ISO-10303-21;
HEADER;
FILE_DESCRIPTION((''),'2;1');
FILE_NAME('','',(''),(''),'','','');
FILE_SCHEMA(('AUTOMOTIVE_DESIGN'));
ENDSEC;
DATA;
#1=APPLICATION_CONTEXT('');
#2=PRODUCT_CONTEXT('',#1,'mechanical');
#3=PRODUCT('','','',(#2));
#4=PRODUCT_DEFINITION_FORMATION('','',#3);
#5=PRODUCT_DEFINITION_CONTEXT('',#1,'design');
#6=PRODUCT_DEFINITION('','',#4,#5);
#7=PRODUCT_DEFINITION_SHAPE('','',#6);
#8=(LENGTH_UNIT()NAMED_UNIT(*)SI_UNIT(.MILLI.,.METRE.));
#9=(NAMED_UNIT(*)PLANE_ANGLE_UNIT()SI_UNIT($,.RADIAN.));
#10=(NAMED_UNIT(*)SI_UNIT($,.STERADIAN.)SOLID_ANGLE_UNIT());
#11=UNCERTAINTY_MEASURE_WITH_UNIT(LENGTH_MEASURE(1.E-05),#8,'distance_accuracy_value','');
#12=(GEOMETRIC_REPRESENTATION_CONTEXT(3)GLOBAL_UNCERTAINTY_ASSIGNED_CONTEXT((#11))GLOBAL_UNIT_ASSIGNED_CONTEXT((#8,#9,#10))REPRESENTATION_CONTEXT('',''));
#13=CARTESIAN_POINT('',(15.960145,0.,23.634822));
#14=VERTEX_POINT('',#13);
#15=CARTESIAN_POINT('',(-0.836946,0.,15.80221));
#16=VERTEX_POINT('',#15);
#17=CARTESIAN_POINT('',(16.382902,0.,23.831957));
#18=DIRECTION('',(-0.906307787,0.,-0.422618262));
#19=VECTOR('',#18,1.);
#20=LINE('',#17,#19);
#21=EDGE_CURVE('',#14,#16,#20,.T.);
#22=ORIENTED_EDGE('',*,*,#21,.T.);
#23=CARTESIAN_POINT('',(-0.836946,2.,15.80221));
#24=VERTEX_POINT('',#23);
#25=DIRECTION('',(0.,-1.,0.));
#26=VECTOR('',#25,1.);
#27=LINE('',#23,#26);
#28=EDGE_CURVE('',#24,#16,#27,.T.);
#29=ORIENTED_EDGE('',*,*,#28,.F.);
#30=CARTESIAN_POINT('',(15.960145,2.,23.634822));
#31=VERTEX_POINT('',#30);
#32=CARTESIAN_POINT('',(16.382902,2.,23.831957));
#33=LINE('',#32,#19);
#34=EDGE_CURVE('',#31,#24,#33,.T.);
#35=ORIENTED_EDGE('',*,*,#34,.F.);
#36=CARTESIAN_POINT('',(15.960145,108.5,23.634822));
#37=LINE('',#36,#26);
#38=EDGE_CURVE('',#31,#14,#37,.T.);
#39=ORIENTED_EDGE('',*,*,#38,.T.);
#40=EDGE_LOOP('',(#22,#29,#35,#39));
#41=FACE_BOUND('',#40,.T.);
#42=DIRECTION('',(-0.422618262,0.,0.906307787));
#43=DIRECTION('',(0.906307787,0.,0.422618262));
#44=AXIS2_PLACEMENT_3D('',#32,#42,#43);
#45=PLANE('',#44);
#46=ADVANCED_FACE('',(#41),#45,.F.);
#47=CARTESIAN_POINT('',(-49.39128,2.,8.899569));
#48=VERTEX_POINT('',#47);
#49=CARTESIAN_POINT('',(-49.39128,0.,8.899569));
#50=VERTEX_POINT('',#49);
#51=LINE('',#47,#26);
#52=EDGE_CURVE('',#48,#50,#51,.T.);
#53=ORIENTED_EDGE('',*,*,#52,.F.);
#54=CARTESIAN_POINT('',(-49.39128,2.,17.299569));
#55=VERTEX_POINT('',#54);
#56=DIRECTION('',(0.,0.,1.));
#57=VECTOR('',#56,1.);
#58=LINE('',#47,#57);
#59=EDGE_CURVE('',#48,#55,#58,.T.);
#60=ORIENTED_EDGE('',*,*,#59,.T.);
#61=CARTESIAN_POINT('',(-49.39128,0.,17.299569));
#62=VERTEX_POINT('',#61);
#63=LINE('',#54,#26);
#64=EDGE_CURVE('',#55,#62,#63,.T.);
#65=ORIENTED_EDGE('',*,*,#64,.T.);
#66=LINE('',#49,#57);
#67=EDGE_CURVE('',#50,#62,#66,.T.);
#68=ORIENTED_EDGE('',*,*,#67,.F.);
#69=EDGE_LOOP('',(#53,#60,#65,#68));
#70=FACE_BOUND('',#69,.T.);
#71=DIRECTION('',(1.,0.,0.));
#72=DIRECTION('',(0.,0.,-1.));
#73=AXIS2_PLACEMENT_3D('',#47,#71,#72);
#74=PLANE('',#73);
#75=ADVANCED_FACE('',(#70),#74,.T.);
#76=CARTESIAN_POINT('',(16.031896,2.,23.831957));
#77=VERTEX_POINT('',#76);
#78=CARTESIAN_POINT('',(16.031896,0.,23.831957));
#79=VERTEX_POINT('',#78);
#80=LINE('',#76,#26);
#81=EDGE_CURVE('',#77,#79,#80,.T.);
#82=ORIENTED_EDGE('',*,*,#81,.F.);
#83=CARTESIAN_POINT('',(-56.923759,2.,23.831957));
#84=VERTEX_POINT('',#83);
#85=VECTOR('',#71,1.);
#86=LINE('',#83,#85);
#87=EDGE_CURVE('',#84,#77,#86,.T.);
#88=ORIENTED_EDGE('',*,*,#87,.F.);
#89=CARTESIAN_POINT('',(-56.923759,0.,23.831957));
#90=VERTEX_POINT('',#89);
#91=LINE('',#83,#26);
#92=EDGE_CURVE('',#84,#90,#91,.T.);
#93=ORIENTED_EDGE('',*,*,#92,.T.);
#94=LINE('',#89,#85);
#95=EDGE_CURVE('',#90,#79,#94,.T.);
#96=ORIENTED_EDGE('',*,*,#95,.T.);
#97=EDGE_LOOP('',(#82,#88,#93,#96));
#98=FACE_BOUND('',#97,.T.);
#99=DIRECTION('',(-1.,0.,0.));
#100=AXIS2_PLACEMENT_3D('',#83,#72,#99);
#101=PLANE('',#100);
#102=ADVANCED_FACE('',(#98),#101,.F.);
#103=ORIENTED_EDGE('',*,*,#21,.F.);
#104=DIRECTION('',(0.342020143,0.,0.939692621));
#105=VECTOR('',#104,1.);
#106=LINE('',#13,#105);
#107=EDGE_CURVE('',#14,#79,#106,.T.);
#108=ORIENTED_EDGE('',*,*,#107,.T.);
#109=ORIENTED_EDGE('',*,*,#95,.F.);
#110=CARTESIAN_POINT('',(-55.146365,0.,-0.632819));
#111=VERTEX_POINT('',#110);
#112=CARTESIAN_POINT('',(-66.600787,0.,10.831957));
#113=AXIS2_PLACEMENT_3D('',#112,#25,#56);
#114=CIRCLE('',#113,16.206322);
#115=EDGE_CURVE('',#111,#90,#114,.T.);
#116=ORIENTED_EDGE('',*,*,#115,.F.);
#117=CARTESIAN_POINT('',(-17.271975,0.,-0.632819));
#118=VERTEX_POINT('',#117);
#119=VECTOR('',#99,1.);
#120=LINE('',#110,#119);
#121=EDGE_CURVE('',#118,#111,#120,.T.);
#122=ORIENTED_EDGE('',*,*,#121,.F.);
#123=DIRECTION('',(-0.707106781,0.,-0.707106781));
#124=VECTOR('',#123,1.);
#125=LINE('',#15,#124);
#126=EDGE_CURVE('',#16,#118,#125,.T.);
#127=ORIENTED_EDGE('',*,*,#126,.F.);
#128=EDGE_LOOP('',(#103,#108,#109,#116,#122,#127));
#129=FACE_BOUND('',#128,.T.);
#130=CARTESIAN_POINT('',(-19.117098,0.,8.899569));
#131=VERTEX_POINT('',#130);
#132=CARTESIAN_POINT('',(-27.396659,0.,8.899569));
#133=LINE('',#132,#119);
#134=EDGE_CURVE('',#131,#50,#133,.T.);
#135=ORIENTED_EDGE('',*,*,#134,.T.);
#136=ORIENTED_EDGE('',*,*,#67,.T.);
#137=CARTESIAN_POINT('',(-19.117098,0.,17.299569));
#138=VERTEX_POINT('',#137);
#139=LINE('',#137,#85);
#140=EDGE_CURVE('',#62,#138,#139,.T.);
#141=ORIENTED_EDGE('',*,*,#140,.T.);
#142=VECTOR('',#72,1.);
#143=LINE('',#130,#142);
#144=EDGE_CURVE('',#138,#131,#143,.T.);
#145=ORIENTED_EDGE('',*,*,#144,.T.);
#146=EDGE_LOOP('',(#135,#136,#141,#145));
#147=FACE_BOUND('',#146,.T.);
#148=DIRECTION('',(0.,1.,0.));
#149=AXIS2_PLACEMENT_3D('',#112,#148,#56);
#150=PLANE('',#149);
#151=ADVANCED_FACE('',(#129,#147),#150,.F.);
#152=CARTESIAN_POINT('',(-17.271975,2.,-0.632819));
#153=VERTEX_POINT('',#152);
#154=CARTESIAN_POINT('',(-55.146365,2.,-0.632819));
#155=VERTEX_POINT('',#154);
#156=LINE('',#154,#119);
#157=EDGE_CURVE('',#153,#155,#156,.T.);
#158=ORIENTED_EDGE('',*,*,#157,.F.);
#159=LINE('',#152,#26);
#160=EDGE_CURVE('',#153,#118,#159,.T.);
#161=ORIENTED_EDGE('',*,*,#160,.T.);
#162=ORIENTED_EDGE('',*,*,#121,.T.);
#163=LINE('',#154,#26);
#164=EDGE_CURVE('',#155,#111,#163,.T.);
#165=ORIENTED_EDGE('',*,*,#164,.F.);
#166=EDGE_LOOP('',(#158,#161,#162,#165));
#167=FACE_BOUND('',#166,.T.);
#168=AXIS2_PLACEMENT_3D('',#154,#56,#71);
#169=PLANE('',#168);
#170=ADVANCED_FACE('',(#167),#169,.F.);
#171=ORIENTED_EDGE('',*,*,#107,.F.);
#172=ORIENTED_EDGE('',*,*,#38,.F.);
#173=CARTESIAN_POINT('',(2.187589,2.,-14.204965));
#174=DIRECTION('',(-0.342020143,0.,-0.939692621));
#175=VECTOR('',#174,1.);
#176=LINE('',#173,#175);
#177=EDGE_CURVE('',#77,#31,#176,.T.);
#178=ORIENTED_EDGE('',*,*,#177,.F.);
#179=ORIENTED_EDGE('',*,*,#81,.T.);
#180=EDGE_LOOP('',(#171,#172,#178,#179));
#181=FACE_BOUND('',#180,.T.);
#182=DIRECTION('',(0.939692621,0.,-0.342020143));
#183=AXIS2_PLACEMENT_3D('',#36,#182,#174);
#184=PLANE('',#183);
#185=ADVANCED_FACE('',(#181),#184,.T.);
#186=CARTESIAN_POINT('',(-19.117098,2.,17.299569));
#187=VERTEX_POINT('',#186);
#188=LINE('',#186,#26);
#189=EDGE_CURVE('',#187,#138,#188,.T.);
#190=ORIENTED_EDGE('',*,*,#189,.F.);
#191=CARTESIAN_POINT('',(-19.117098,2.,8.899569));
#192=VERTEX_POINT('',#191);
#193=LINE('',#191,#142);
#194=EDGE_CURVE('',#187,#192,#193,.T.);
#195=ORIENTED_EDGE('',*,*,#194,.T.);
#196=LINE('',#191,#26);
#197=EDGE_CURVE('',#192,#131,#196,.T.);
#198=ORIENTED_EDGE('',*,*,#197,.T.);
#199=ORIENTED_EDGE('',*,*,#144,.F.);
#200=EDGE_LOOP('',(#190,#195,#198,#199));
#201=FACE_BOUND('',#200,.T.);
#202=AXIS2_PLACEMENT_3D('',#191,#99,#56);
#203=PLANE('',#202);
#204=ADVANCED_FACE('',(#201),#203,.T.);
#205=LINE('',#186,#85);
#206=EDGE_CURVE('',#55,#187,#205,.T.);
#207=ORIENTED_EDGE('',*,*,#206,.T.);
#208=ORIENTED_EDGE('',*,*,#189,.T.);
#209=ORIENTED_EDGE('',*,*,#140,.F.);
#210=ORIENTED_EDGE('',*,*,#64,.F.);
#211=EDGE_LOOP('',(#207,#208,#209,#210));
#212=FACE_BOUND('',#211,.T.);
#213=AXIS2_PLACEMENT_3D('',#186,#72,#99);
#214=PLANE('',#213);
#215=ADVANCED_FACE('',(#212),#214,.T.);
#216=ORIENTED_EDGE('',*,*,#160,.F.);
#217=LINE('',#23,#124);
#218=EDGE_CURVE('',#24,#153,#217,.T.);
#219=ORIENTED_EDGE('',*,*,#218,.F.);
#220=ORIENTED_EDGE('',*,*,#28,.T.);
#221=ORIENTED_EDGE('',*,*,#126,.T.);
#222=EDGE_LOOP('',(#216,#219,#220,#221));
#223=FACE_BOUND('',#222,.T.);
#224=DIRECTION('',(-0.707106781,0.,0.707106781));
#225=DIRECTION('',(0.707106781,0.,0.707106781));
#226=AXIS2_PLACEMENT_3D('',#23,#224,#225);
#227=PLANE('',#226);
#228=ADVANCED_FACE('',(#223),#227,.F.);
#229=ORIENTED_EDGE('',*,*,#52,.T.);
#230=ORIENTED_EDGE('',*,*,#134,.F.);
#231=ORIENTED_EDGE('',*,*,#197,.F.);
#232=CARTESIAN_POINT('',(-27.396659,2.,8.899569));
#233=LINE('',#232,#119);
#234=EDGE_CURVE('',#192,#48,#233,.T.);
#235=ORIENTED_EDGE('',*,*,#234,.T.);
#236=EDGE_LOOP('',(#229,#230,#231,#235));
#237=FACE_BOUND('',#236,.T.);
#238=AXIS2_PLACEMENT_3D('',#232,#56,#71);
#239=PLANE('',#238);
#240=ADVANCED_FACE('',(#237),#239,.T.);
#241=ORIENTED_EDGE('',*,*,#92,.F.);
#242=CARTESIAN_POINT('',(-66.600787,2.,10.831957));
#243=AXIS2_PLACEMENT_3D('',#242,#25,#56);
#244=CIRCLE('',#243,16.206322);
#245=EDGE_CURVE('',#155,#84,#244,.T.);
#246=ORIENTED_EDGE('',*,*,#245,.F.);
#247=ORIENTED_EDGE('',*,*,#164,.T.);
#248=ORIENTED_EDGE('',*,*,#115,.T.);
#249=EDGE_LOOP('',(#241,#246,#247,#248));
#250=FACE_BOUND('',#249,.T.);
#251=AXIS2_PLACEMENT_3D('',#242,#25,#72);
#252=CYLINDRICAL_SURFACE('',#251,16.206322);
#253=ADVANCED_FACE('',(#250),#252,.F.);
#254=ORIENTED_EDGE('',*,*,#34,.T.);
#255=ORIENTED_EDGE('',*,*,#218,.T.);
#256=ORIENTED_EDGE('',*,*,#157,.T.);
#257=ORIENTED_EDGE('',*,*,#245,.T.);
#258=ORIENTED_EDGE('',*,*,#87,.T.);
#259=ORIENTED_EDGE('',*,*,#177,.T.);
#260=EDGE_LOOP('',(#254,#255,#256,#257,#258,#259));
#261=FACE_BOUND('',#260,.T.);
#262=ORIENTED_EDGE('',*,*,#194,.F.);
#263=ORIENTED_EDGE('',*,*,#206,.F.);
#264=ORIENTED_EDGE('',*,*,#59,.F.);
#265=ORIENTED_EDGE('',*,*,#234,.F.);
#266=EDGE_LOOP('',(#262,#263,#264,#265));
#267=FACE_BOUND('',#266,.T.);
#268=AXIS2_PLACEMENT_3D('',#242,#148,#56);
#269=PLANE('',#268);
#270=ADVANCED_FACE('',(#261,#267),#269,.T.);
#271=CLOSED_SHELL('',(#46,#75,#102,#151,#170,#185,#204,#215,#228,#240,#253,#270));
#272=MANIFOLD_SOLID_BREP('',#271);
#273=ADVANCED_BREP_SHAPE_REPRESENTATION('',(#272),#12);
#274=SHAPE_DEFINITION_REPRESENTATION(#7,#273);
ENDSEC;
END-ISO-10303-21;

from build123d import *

# Parameters (mm, degrees)
EXTRUDE_1_DEPTH          = 2
CUT_EXTRUDE_1_DEPTH      = 106.5
CUT_EXTRUDE_1_DEPTH_BACK = 62.743635726


with BuildPart() as part:
    # Эскиз1 → Бобышка-Вытянуть1 (new body)
    with BuildSketch(Plane(origin=(0, 0, 0), x_dir=(1, 0, 0), z_dir=(0, 1, 0))):
        with BuildLine():
            Line((-56.923759365, -23.831956958), (16.382902061, -23.831956958))
            Line((16.382902061, -23.831956958), (-0.836945892, -15.802209985))
            Line((-0.836945892, -15.802209985), (-17.271974735, 0.632818857))
            Line((-17.271974735, 0.632818857), (-55.146365247, 0.632818857))
            ThreePointArc((-55.146365247, 0.632818857), (-50.679018006, -7.808361393), (-51.74094673, -17.29956905))
            ThreePointArc((-51.74094673, -17.29956905), (-53.905020217, -20.904809923), (-56.923759365, -23.831956958))
        make_face()
        Polygon((-19.117097939, -17.29956905), (-49.391279562, -17.29956905), (-49.391279562, -8.89956905), (-27.396659044, -8.89956905), (-19.117097939, -8.89956905), align=None, mode=Mode.SUBTRACT)
    extrude(amount=EXTRUDE_1_DEPTH)

    # Эскиз2 → Вырез-Вытянуть1 (cut, two sides: drawn at the far end of the back side and taken through both)
    with BuildSketch(Plane(origin=(0, 2, 0), x_dir=(1, 0, 0), z_dir=(0, 1, 0)).offset(-CUT_EXTRUDE_1_DEPTH_BACK)):
        Polygon((16.382902061, -23.831956958), (15.960145161, -23.634822178), (16.059019052, -23.90647596), align=None)
    extrude(amount=CUT_EXTRUDE_1_DEPTH + CUT_EXTRUDE_1_DEPTH_BACK, mode=Mode.SUBTRACT)


solid = part.part
